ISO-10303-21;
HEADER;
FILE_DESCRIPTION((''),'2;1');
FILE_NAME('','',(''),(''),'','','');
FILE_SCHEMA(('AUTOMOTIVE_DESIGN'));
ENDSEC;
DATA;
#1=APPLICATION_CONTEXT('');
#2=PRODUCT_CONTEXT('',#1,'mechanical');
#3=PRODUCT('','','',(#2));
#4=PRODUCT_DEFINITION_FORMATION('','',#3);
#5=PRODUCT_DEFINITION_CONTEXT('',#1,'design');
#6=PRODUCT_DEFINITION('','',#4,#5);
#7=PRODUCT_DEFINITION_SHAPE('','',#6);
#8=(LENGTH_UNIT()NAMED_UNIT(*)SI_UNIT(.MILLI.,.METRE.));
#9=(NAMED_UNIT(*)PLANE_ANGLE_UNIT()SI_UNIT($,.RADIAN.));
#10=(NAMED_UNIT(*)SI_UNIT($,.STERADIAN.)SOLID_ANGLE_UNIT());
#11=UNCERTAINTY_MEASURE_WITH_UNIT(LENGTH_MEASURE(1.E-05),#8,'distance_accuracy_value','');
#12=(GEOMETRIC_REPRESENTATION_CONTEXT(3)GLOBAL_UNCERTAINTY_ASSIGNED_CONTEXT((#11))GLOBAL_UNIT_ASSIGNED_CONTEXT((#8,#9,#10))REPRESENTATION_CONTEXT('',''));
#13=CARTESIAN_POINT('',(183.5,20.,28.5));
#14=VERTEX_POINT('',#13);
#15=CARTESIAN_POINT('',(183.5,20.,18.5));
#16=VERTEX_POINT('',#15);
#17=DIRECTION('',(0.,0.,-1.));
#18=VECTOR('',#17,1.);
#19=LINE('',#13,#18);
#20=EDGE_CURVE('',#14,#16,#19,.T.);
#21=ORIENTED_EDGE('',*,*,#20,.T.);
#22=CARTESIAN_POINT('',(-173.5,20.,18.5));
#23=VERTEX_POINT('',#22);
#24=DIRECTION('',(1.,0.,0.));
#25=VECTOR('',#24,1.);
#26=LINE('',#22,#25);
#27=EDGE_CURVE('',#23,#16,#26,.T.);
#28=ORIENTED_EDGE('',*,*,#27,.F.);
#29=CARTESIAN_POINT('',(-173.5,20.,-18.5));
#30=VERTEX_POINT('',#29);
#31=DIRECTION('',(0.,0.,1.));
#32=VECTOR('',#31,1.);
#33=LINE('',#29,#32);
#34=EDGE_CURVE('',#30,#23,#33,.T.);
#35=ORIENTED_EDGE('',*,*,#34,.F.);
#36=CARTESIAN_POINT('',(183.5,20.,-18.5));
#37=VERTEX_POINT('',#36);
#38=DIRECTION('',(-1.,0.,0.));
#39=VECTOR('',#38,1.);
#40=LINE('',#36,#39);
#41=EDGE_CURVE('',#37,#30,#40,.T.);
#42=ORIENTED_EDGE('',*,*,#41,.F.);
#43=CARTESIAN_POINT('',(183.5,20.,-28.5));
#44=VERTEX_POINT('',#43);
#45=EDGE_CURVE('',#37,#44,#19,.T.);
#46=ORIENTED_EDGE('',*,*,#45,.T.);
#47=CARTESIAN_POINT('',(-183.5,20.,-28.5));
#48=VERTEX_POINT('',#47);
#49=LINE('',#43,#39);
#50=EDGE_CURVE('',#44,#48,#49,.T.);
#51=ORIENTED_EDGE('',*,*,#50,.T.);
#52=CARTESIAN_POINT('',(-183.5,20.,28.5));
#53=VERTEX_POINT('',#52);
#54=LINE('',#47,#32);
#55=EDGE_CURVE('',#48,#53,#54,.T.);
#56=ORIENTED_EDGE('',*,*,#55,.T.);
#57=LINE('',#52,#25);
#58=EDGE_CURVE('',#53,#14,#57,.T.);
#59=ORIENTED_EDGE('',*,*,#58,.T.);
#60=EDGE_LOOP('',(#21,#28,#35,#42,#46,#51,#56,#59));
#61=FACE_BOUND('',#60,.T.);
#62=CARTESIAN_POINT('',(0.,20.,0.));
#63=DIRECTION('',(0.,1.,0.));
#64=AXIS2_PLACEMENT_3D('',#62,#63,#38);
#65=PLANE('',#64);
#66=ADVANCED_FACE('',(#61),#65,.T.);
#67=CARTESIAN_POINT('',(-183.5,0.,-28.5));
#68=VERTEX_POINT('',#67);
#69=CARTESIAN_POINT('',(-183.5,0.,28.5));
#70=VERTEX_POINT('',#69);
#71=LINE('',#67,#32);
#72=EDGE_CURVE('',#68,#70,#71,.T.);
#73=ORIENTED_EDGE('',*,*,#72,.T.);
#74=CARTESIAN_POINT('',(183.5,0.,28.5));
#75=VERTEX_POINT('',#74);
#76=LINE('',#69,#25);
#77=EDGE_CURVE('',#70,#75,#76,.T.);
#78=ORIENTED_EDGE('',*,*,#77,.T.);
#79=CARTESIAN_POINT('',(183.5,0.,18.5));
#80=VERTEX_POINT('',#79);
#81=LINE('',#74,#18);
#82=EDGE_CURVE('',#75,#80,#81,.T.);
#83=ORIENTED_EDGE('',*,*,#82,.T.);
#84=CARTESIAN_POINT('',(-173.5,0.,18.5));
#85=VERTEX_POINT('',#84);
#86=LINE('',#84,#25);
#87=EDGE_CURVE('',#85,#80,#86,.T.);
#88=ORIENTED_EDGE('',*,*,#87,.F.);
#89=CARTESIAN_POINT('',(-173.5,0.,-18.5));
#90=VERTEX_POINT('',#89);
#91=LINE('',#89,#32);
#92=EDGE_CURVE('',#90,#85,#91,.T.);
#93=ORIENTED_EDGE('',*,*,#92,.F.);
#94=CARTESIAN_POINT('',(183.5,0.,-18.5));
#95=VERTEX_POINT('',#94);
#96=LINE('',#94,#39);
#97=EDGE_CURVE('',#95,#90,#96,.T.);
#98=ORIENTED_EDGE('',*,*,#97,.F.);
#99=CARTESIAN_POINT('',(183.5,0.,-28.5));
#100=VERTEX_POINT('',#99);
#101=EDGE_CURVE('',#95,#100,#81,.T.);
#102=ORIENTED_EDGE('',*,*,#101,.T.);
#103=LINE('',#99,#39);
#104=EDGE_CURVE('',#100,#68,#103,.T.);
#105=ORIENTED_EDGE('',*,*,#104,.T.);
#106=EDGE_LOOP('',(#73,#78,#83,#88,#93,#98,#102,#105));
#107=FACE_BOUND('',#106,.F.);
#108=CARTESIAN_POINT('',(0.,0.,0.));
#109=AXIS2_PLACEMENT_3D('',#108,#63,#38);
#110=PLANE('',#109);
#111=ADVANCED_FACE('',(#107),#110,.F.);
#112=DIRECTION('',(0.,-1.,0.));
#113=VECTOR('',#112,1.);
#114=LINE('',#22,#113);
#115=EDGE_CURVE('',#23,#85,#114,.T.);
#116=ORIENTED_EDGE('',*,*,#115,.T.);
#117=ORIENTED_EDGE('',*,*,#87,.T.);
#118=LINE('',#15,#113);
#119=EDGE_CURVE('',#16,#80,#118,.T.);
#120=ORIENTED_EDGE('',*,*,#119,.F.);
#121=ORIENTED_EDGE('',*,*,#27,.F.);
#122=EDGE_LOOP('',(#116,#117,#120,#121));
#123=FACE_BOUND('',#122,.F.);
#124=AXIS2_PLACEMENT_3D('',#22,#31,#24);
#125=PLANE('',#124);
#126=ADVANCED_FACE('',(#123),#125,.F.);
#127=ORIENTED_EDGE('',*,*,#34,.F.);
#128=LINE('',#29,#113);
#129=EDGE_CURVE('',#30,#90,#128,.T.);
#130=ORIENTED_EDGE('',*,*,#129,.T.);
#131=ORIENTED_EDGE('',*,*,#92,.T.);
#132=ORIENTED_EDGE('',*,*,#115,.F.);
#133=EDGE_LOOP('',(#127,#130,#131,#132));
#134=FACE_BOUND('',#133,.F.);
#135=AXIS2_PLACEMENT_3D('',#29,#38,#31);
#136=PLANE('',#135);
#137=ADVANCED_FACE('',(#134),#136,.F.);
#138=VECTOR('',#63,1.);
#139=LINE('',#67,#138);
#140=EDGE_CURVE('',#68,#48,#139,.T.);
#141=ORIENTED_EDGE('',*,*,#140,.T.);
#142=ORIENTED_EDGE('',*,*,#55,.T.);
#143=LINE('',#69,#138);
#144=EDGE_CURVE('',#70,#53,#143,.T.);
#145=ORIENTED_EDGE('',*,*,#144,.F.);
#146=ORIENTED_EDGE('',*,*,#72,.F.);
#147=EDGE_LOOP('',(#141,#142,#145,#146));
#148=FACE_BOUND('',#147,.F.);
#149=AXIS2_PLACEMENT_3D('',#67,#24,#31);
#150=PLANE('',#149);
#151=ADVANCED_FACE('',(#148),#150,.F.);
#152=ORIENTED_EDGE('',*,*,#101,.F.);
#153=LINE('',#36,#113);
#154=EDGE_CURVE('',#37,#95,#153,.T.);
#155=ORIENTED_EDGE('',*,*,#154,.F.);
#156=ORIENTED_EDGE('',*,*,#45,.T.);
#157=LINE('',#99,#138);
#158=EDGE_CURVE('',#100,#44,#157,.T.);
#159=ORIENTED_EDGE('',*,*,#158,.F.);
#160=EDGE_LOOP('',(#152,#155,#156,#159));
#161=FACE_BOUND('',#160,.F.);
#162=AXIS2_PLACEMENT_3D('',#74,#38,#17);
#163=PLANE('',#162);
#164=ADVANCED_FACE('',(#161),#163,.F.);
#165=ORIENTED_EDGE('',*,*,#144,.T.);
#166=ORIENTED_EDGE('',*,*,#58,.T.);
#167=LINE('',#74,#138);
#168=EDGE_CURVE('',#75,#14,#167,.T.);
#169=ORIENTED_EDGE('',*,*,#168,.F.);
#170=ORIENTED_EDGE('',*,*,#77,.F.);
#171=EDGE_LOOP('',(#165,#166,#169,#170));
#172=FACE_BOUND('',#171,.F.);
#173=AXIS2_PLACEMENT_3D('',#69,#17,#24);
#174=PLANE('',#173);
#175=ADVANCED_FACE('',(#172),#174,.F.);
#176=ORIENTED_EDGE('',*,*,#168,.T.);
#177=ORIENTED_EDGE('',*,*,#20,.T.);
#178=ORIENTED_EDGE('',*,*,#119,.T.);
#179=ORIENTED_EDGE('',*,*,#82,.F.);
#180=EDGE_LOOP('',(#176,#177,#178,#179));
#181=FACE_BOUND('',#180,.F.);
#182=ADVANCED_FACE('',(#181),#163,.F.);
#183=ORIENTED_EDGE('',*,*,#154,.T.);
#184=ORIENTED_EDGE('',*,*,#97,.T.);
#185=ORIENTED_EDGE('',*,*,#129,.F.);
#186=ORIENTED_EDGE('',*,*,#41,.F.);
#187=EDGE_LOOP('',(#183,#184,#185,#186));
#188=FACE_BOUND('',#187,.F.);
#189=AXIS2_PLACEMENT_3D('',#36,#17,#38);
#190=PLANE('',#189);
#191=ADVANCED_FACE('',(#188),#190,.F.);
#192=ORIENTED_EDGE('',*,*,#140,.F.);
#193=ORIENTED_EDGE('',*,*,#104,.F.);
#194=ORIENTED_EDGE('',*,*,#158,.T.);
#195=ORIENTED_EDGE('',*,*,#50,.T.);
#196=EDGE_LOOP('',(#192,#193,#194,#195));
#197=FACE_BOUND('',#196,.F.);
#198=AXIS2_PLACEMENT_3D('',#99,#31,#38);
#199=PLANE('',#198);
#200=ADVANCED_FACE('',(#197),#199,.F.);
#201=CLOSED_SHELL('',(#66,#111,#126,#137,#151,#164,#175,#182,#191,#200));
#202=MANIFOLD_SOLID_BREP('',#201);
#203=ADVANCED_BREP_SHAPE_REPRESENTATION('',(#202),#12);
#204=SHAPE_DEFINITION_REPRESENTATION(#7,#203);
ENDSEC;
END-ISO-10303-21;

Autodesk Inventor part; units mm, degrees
ref_plane "YZ Plane" through (0, 0, 0) normal (1, 0, 0) x (0, 1, 0)
ref_plane "XZ Plane" through (0, 0, 0) normal (0, 1, 0) x (-1, 0, 0)
ref_plane "XY Plane" through (0, 0, 0) normal (0, 0, 1) x (1, 0, 0)
sketch "草圖1" plane through (0, 0, 0) normal (0, 1, 0) x (-1, 0, 0)
  line L0 (-183.5, -28.5) -> (183.5, -28.5)
  line L1 (183.5, -28.5) -> (183.5, 28.5)
  line L2 (183.5, 28.5) -> (-183.5, 28.5)
  line L3 (-183.5, 28.5) -> (-183.5, -28.5)
  line L4 (-183.5, -28.5) -> (183.5, 28.5) construction
  line L5 (183.5, -28.5) -> (-183.5, 28.5) construction
  point P0 (0, 0)
  dimension "d0" = 367
  dimension "d1" = 57
extrude "擠出1" add sketch "草圖1" along normal blind 20
sketch "草圖2" plane through (0, 20, 0) normal (0, 1, 0) x (1, 0, 0)
  line L0 (183.5, -28.5) -> (183.5, 28.5) projected
  line L1 (183.5, 18.5) -> (-173.5, 18.5)
  line L2 (-173.5, 18.5) -> (-173.5, -18.5)
  line L3 (-173.5, -18.5) -> (183.5, -18.5)
  line L4 (183.5, -18.5) -> (183.5, 18.5)
  line L5 (183.5, 28.5) -> (-183.5, 28.5) projected
  line L6 (-183.5, 28.5) -> (-183.5, -28.5) projected
  line L7 (-183.5, -28.5) -> (183.5, -28.5) projected
  point P0 (0, 0)
  dimension "d4" = 10
  dimension "d5" = 10
  dimension "d6" = 10
extrude "擠出2" cut sketch "草圖2" against normal blind 20 contours L3 L2 L1 L0
properties part number "擋車"
